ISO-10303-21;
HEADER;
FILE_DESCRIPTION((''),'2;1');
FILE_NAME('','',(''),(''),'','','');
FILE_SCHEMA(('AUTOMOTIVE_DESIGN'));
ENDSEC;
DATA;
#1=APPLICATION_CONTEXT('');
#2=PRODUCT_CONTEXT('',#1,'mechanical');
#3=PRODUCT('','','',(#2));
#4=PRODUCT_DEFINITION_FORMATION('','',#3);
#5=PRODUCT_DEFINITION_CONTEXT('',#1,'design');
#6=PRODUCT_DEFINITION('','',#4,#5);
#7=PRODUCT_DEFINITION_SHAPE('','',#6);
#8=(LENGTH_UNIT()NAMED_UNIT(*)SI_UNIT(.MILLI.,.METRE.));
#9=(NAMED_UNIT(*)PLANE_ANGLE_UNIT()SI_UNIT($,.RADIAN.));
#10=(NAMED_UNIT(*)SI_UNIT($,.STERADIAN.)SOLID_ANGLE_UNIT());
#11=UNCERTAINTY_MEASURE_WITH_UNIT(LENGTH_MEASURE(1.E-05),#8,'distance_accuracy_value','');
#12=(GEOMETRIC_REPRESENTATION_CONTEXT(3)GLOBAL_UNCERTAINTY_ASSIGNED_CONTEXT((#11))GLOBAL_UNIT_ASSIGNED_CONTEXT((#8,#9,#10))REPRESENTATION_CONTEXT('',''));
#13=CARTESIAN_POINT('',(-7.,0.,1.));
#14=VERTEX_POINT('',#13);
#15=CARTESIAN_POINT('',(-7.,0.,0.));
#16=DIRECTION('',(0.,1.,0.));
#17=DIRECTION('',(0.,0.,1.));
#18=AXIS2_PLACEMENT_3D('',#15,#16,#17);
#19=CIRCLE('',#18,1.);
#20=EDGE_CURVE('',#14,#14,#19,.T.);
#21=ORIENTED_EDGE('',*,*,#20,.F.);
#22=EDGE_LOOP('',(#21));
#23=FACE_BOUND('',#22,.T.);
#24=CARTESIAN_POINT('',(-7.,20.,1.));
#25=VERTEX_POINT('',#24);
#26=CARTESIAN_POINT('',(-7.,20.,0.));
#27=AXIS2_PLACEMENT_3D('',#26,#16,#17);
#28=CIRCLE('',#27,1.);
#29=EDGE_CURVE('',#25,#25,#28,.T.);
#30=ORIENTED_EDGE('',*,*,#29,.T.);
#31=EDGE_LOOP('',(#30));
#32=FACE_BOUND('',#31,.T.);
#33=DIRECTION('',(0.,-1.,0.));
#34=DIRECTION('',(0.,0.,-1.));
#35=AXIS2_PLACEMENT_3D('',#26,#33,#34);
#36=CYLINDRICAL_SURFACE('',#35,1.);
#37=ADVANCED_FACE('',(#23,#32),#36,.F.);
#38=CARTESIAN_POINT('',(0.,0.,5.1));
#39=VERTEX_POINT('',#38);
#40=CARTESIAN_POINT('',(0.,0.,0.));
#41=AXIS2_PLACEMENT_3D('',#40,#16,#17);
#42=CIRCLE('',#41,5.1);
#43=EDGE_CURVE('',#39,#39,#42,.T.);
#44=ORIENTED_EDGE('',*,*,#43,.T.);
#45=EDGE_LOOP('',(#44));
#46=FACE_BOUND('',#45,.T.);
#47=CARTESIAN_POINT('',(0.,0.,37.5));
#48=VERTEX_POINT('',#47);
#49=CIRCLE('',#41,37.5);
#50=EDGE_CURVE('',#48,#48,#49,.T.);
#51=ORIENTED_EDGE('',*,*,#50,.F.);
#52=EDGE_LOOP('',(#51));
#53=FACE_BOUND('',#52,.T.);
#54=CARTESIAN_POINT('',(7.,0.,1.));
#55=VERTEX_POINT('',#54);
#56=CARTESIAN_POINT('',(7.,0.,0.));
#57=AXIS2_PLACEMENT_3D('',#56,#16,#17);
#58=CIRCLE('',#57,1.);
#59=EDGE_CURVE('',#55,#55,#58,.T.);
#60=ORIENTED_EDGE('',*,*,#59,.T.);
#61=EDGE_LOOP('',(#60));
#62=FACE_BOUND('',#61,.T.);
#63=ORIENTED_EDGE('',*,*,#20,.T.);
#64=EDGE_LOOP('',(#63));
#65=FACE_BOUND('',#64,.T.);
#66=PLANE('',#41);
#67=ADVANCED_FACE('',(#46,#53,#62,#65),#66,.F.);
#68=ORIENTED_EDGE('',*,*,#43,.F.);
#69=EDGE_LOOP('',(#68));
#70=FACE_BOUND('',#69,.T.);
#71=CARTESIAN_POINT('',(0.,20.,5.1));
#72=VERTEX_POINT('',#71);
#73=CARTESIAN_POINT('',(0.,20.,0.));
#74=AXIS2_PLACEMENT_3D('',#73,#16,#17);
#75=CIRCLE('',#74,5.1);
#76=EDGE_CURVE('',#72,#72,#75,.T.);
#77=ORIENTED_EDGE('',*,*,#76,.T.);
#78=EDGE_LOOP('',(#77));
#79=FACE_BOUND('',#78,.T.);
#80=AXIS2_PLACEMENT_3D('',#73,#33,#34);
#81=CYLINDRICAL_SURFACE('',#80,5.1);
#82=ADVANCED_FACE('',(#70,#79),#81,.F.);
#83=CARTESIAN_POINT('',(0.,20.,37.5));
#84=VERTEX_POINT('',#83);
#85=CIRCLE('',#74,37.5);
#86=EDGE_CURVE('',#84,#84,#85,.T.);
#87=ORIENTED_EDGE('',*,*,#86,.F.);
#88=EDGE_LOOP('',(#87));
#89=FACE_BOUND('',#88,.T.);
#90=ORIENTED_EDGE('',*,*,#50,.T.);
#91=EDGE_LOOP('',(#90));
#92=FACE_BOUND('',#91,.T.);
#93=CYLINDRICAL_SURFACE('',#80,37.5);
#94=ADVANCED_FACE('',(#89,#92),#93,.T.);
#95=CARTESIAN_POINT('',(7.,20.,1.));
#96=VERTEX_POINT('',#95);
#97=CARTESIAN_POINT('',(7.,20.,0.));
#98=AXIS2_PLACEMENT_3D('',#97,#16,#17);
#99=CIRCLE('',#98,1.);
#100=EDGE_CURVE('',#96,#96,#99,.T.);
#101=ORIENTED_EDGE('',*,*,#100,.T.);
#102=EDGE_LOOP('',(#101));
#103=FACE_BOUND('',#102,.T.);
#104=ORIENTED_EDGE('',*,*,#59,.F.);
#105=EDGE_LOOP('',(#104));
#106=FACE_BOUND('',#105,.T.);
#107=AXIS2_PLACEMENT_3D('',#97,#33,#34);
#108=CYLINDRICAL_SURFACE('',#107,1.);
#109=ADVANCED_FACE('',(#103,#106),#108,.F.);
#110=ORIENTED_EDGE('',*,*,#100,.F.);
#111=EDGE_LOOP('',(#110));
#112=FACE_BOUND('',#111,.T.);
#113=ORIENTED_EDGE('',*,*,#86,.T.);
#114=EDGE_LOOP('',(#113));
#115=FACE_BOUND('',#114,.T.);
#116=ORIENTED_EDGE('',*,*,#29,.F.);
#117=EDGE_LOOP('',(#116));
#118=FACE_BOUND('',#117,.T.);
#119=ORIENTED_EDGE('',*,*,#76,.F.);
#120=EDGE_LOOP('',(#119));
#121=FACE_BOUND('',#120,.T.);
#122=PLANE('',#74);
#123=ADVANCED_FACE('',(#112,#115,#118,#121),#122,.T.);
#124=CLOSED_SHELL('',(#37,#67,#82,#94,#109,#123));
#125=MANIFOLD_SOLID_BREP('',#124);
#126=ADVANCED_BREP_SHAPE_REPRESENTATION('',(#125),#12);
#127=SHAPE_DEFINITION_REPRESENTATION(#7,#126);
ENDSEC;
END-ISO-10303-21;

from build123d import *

# Parameters (mm, degrees)
SKETCH1_R           = 37.5
SKETCH1_R_2         = 5.1
SKETCH1_R_3         = 1
BOSS_EXTRUDE1_DEPTH = 20


with BuildPart() as part:
    # Sketch1 → Boss-Extrude1 (new body)
    with BuildSketch(Plane(origin=(0, 0, 0), x_dir=(1, 0, 0), z_dir=(0, 1, 0))):
        with Locations(Location((0, 0, 0), (0, 0, 270))):
            Circle(SKETCH1_R)
        with Locations(Location((0, 0, 0), (0, 0, 270))):
            Circle(SKETCH1_R_2, mode=Mode.SUBTRACT)
        with Locations(Location((-7, 0, 0), (0, 0, 270))):
            Circle(SKETCH1_R_3, mode=Mode.SUBTRACT)
        with Locations(Location((7, 0, 0), (0, 0, 270))):
            Circle(SKETCH1_R_3, mode=Mode.SUBTRACT)
    extrude(amount=BOSS_EXTRUDE1_DEPTH)


solid = part.part
